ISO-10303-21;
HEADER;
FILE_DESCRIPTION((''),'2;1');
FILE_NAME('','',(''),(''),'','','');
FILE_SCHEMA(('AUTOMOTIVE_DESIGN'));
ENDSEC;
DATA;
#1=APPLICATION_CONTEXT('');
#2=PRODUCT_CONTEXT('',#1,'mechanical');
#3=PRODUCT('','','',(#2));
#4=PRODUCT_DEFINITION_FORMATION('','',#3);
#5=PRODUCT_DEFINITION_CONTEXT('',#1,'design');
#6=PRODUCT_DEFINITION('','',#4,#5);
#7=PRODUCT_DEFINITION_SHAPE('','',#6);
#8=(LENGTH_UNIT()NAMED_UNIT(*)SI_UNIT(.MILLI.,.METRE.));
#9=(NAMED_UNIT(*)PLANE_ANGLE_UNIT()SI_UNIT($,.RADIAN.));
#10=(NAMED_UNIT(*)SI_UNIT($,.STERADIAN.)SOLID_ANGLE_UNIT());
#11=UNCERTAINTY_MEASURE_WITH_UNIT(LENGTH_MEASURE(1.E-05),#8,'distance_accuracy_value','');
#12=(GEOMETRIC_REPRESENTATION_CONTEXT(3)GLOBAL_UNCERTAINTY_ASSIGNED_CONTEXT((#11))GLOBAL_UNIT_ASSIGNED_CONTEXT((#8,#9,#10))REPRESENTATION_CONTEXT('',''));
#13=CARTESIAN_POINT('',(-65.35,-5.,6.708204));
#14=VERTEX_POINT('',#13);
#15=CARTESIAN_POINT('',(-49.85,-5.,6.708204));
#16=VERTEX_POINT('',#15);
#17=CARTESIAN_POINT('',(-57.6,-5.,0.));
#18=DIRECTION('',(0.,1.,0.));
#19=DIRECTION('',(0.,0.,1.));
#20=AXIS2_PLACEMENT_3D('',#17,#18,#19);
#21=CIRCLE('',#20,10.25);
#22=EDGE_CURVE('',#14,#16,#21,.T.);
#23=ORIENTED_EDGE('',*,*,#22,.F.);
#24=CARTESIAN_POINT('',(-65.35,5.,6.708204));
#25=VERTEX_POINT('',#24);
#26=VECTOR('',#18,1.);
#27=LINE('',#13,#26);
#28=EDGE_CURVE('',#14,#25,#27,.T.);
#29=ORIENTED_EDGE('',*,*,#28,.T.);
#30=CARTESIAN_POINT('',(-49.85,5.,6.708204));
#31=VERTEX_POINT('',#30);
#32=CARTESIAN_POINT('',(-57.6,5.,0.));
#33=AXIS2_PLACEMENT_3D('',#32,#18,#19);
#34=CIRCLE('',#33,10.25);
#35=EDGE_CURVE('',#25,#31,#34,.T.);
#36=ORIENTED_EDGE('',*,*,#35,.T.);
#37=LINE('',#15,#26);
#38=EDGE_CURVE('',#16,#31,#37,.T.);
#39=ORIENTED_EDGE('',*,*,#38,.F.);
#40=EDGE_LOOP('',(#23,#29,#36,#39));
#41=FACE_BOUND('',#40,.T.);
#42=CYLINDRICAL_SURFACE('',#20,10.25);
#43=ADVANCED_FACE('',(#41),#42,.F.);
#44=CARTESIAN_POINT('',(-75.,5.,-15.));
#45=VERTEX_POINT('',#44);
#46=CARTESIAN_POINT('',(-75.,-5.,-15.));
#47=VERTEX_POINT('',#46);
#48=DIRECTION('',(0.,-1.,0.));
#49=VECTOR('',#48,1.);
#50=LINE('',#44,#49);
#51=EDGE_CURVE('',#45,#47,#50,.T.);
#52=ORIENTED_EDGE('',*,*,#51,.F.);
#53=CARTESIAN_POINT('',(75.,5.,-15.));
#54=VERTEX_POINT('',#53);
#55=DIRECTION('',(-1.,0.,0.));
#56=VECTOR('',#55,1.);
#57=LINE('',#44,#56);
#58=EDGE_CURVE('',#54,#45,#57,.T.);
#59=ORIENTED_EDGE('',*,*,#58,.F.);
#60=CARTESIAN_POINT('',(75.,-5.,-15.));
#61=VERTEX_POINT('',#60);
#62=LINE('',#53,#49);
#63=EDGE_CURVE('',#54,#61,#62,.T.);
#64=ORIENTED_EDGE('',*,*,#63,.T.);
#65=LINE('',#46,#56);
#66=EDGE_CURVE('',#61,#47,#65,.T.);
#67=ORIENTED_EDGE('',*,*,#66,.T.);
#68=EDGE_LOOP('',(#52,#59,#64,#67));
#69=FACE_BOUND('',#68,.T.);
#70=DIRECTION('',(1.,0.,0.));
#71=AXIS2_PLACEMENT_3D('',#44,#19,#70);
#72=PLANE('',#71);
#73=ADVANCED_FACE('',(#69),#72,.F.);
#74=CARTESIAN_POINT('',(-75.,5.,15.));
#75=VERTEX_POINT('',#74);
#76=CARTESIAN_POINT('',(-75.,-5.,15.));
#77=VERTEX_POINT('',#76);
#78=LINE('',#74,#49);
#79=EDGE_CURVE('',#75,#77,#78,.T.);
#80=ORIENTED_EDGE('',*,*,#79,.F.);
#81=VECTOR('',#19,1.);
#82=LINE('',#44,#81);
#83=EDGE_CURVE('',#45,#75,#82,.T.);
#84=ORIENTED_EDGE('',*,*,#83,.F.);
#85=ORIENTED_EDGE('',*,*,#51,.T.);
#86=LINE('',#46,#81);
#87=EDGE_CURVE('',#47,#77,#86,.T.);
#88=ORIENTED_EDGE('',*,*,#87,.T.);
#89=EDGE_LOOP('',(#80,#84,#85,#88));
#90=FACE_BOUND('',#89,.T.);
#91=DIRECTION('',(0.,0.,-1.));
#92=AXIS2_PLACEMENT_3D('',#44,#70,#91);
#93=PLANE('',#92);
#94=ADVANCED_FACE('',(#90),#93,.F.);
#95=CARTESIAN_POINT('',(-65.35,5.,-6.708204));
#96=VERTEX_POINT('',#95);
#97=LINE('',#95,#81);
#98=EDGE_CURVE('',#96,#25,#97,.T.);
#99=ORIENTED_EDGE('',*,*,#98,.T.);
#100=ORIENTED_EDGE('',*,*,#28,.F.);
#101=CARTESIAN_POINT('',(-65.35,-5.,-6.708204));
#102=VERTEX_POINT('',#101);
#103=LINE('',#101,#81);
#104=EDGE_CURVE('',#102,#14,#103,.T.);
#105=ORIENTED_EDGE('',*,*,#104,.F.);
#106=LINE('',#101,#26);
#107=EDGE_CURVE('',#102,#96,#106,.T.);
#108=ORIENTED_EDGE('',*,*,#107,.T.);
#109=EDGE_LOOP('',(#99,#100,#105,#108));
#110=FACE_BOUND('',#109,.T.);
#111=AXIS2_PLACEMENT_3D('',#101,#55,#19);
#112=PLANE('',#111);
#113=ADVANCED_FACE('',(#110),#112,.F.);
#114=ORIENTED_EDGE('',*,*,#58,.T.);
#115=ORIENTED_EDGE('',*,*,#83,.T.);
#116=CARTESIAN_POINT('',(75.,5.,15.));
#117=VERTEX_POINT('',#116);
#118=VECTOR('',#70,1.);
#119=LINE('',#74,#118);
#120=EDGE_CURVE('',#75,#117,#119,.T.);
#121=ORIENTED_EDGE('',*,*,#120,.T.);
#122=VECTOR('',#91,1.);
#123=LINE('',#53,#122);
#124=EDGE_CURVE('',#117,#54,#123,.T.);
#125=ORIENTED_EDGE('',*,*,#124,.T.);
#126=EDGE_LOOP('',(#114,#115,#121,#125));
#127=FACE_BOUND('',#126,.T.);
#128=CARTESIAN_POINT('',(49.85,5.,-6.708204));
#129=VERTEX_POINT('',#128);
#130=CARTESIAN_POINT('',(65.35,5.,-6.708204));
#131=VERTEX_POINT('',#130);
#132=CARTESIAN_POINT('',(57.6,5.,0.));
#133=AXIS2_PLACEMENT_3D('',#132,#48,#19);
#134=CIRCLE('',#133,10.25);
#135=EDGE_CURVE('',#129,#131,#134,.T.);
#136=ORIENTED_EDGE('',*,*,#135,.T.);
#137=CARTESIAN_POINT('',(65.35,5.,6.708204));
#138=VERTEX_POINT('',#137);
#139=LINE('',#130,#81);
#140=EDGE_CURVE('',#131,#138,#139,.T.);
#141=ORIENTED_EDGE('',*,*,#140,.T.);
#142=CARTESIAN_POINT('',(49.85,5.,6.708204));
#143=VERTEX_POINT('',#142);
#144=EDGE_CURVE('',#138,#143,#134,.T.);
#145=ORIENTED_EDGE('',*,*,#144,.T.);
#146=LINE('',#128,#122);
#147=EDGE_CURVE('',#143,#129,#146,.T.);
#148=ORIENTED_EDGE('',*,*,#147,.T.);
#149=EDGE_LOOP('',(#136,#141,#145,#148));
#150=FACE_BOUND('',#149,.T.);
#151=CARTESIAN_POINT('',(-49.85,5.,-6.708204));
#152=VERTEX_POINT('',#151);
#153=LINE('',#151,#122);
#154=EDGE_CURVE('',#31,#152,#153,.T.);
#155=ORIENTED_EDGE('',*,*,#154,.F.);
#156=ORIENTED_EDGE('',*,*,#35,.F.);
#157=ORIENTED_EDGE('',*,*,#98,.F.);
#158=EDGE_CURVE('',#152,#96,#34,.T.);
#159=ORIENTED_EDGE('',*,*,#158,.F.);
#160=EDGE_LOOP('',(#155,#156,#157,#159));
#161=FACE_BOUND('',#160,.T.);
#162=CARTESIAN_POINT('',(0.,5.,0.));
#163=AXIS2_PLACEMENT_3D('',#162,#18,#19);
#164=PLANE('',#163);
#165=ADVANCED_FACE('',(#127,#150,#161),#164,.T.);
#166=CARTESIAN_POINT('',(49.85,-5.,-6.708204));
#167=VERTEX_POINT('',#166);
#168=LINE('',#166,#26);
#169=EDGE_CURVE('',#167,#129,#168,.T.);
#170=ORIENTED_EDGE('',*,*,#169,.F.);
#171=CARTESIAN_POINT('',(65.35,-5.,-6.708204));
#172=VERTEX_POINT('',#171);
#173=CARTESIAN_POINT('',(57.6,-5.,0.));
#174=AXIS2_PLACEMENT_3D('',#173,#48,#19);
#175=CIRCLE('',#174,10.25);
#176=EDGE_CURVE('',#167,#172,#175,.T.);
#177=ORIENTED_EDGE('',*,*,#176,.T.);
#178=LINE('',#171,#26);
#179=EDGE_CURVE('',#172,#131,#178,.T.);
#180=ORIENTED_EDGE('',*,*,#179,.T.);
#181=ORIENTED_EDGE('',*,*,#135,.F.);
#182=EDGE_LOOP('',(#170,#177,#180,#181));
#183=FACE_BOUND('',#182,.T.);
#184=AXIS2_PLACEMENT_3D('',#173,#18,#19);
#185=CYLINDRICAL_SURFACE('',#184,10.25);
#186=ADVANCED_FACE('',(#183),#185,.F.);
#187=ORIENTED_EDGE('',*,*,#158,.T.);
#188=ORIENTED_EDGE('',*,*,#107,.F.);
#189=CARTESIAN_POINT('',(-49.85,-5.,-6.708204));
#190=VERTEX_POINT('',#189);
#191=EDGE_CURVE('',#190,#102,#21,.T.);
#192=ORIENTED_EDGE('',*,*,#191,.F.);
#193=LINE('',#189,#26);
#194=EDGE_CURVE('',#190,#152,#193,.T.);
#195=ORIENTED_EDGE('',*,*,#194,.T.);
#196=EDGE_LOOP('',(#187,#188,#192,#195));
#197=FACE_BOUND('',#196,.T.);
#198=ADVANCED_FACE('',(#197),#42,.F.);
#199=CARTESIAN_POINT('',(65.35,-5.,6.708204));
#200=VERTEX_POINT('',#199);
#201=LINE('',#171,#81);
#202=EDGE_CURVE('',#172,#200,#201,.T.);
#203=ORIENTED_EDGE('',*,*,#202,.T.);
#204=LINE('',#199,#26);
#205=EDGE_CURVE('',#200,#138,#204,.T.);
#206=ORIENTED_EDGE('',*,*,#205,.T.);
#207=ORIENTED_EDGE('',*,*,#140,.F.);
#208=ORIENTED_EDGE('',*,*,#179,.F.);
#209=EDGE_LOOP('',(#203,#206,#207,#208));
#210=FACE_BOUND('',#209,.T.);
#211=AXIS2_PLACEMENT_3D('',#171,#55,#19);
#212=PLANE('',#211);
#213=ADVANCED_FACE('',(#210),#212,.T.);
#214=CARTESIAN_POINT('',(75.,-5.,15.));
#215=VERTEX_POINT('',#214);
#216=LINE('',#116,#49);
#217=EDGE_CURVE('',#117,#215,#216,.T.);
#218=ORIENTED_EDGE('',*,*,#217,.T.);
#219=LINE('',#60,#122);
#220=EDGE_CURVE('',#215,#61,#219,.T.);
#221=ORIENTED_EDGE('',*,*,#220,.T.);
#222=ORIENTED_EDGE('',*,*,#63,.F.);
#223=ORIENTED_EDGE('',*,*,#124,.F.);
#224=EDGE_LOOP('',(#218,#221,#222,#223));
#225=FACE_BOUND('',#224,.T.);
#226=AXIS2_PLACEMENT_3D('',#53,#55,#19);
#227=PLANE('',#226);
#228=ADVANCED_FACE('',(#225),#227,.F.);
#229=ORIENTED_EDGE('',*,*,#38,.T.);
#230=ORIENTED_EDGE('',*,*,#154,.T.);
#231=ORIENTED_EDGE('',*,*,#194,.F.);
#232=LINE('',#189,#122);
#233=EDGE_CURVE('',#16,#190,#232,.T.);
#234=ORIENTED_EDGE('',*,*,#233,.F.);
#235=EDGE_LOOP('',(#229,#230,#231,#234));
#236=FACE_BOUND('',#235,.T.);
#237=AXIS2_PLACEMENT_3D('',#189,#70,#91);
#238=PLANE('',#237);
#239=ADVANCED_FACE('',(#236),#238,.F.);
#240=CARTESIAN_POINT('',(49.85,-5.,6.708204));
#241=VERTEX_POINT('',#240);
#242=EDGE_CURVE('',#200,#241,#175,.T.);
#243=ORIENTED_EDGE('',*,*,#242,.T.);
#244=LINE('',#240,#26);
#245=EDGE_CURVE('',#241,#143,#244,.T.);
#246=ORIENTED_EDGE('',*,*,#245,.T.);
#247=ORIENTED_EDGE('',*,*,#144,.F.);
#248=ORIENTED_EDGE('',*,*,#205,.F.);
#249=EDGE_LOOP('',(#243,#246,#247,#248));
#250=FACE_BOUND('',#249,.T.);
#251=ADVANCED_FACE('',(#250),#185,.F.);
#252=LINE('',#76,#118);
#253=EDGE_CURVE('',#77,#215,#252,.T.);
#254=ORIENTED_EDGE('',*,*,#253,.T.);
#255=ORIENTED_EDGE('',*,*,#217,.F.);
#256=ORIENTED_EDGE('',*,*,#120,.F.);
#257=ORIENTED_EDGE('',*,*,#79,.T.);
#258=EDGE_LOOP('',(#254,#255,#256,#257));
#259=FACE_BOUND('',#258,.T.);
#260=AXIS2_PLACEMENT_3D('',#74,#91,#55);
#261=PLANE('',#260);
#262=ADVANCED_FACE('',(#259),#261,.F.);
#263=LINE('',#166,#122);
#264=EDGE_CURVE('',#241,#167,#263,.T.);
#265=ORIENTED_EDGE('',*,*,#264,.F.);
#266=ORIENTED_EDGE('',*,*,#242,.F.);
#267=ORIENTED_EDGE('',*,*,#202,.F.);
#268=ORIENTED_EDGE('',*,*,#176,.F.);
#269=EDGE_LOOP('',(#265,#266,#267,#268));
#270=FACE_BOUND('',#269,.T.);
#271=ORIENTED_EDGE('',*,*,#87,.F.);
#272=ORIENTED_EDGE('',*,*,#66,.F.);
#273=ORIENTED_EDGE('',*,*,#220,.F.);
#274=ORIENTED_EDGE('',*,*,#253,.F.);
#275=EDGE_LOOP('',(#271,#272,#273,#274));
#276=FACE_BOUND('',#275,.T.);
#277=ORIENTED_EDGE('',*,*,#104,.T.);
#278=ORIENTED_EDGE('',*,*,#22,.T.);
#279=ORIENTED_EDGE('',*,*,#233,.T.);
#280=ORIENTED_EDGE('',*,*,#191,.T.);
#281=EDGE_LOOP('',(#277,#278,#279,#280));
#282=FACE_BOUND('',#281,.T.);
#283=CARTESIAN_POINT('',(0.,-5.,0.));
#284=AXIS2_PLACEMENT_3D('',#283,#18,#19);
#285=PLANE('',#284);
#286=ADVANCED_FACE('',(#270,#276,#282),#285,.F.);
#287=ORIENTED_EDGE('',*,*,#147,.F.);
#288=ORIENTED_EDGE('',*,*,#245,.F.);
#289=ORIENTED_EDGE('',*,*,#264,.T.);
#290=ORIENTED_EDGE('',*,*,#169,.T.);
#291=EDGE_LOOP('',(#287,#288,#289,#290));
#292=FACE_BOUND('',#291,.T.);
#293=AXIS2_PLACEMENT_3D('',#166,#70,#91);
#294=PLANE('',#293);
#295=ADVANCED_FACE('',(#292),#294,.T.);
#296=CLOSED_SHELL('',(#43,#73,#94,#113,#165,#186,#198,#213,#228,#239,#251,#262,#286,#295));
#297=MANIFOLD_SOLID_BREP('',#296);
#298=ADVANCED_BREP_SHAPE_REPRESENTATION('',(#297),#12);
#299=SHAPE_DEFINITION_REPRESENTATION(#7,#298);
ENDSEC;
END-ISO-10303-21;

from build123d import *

# Parameters (mm, degrees)
SKETCH1_W           = 150
SKETCH1_H           = 30
BOSS_EXTRUDE1_DEPTH = 5
CUT_EXTRUDE1_DEPTH  = 78.136243103


with BuildPart() as part:
    # Sketch1 → Boss-Extrude1 (new, symmetric)
    with BuildSketch(Plane(origin=(0, 0, 0), x_dir=(1, 0, 0), z_dir=(0, 1, 0))):
        Rectangle(SKETCH1_W, SKETCH1_H)
    extrude(amount=BOSS_EXTRUDE1_DEPTH, both=True)

    # Sketch2 → Cut-Extrude1 (cut, through all)
    with BuildSketch(Plane(origin=(0, 5, 0), x_dir=(1, 0, 0), z_dir=(0, 1, 0))):
        with BuildLine():
            Line((-65.35, 6.708203932), (-65.35, -6.708203932))
            ThreePointArc((-65.35, -6.708203932), (-57.6, -10.25), (-49.85, -6.708203932))
            Line((-49.85, -6.708203932), (-49.85, 6.708203932))
            ThreePointArc((-49.85, 6.708203932), (-57.6, 10.25), (-65.35, 6.708203932))
        make_face()
    cut_extrude1 = extrude(amount=-CUT_EXTRUDE1_DEPTH, mode=Mode.SUBTRACT)

    # Mirror1: Cut-Extrude1 across plane
    add(cut_extrude1.mirror(Plane(origin=(0, 0, 0), x_dir=(0, 0, 1), z_dir=(1, 0, 0))), mode=Mode.SUBTRACT)


solid = part.part
